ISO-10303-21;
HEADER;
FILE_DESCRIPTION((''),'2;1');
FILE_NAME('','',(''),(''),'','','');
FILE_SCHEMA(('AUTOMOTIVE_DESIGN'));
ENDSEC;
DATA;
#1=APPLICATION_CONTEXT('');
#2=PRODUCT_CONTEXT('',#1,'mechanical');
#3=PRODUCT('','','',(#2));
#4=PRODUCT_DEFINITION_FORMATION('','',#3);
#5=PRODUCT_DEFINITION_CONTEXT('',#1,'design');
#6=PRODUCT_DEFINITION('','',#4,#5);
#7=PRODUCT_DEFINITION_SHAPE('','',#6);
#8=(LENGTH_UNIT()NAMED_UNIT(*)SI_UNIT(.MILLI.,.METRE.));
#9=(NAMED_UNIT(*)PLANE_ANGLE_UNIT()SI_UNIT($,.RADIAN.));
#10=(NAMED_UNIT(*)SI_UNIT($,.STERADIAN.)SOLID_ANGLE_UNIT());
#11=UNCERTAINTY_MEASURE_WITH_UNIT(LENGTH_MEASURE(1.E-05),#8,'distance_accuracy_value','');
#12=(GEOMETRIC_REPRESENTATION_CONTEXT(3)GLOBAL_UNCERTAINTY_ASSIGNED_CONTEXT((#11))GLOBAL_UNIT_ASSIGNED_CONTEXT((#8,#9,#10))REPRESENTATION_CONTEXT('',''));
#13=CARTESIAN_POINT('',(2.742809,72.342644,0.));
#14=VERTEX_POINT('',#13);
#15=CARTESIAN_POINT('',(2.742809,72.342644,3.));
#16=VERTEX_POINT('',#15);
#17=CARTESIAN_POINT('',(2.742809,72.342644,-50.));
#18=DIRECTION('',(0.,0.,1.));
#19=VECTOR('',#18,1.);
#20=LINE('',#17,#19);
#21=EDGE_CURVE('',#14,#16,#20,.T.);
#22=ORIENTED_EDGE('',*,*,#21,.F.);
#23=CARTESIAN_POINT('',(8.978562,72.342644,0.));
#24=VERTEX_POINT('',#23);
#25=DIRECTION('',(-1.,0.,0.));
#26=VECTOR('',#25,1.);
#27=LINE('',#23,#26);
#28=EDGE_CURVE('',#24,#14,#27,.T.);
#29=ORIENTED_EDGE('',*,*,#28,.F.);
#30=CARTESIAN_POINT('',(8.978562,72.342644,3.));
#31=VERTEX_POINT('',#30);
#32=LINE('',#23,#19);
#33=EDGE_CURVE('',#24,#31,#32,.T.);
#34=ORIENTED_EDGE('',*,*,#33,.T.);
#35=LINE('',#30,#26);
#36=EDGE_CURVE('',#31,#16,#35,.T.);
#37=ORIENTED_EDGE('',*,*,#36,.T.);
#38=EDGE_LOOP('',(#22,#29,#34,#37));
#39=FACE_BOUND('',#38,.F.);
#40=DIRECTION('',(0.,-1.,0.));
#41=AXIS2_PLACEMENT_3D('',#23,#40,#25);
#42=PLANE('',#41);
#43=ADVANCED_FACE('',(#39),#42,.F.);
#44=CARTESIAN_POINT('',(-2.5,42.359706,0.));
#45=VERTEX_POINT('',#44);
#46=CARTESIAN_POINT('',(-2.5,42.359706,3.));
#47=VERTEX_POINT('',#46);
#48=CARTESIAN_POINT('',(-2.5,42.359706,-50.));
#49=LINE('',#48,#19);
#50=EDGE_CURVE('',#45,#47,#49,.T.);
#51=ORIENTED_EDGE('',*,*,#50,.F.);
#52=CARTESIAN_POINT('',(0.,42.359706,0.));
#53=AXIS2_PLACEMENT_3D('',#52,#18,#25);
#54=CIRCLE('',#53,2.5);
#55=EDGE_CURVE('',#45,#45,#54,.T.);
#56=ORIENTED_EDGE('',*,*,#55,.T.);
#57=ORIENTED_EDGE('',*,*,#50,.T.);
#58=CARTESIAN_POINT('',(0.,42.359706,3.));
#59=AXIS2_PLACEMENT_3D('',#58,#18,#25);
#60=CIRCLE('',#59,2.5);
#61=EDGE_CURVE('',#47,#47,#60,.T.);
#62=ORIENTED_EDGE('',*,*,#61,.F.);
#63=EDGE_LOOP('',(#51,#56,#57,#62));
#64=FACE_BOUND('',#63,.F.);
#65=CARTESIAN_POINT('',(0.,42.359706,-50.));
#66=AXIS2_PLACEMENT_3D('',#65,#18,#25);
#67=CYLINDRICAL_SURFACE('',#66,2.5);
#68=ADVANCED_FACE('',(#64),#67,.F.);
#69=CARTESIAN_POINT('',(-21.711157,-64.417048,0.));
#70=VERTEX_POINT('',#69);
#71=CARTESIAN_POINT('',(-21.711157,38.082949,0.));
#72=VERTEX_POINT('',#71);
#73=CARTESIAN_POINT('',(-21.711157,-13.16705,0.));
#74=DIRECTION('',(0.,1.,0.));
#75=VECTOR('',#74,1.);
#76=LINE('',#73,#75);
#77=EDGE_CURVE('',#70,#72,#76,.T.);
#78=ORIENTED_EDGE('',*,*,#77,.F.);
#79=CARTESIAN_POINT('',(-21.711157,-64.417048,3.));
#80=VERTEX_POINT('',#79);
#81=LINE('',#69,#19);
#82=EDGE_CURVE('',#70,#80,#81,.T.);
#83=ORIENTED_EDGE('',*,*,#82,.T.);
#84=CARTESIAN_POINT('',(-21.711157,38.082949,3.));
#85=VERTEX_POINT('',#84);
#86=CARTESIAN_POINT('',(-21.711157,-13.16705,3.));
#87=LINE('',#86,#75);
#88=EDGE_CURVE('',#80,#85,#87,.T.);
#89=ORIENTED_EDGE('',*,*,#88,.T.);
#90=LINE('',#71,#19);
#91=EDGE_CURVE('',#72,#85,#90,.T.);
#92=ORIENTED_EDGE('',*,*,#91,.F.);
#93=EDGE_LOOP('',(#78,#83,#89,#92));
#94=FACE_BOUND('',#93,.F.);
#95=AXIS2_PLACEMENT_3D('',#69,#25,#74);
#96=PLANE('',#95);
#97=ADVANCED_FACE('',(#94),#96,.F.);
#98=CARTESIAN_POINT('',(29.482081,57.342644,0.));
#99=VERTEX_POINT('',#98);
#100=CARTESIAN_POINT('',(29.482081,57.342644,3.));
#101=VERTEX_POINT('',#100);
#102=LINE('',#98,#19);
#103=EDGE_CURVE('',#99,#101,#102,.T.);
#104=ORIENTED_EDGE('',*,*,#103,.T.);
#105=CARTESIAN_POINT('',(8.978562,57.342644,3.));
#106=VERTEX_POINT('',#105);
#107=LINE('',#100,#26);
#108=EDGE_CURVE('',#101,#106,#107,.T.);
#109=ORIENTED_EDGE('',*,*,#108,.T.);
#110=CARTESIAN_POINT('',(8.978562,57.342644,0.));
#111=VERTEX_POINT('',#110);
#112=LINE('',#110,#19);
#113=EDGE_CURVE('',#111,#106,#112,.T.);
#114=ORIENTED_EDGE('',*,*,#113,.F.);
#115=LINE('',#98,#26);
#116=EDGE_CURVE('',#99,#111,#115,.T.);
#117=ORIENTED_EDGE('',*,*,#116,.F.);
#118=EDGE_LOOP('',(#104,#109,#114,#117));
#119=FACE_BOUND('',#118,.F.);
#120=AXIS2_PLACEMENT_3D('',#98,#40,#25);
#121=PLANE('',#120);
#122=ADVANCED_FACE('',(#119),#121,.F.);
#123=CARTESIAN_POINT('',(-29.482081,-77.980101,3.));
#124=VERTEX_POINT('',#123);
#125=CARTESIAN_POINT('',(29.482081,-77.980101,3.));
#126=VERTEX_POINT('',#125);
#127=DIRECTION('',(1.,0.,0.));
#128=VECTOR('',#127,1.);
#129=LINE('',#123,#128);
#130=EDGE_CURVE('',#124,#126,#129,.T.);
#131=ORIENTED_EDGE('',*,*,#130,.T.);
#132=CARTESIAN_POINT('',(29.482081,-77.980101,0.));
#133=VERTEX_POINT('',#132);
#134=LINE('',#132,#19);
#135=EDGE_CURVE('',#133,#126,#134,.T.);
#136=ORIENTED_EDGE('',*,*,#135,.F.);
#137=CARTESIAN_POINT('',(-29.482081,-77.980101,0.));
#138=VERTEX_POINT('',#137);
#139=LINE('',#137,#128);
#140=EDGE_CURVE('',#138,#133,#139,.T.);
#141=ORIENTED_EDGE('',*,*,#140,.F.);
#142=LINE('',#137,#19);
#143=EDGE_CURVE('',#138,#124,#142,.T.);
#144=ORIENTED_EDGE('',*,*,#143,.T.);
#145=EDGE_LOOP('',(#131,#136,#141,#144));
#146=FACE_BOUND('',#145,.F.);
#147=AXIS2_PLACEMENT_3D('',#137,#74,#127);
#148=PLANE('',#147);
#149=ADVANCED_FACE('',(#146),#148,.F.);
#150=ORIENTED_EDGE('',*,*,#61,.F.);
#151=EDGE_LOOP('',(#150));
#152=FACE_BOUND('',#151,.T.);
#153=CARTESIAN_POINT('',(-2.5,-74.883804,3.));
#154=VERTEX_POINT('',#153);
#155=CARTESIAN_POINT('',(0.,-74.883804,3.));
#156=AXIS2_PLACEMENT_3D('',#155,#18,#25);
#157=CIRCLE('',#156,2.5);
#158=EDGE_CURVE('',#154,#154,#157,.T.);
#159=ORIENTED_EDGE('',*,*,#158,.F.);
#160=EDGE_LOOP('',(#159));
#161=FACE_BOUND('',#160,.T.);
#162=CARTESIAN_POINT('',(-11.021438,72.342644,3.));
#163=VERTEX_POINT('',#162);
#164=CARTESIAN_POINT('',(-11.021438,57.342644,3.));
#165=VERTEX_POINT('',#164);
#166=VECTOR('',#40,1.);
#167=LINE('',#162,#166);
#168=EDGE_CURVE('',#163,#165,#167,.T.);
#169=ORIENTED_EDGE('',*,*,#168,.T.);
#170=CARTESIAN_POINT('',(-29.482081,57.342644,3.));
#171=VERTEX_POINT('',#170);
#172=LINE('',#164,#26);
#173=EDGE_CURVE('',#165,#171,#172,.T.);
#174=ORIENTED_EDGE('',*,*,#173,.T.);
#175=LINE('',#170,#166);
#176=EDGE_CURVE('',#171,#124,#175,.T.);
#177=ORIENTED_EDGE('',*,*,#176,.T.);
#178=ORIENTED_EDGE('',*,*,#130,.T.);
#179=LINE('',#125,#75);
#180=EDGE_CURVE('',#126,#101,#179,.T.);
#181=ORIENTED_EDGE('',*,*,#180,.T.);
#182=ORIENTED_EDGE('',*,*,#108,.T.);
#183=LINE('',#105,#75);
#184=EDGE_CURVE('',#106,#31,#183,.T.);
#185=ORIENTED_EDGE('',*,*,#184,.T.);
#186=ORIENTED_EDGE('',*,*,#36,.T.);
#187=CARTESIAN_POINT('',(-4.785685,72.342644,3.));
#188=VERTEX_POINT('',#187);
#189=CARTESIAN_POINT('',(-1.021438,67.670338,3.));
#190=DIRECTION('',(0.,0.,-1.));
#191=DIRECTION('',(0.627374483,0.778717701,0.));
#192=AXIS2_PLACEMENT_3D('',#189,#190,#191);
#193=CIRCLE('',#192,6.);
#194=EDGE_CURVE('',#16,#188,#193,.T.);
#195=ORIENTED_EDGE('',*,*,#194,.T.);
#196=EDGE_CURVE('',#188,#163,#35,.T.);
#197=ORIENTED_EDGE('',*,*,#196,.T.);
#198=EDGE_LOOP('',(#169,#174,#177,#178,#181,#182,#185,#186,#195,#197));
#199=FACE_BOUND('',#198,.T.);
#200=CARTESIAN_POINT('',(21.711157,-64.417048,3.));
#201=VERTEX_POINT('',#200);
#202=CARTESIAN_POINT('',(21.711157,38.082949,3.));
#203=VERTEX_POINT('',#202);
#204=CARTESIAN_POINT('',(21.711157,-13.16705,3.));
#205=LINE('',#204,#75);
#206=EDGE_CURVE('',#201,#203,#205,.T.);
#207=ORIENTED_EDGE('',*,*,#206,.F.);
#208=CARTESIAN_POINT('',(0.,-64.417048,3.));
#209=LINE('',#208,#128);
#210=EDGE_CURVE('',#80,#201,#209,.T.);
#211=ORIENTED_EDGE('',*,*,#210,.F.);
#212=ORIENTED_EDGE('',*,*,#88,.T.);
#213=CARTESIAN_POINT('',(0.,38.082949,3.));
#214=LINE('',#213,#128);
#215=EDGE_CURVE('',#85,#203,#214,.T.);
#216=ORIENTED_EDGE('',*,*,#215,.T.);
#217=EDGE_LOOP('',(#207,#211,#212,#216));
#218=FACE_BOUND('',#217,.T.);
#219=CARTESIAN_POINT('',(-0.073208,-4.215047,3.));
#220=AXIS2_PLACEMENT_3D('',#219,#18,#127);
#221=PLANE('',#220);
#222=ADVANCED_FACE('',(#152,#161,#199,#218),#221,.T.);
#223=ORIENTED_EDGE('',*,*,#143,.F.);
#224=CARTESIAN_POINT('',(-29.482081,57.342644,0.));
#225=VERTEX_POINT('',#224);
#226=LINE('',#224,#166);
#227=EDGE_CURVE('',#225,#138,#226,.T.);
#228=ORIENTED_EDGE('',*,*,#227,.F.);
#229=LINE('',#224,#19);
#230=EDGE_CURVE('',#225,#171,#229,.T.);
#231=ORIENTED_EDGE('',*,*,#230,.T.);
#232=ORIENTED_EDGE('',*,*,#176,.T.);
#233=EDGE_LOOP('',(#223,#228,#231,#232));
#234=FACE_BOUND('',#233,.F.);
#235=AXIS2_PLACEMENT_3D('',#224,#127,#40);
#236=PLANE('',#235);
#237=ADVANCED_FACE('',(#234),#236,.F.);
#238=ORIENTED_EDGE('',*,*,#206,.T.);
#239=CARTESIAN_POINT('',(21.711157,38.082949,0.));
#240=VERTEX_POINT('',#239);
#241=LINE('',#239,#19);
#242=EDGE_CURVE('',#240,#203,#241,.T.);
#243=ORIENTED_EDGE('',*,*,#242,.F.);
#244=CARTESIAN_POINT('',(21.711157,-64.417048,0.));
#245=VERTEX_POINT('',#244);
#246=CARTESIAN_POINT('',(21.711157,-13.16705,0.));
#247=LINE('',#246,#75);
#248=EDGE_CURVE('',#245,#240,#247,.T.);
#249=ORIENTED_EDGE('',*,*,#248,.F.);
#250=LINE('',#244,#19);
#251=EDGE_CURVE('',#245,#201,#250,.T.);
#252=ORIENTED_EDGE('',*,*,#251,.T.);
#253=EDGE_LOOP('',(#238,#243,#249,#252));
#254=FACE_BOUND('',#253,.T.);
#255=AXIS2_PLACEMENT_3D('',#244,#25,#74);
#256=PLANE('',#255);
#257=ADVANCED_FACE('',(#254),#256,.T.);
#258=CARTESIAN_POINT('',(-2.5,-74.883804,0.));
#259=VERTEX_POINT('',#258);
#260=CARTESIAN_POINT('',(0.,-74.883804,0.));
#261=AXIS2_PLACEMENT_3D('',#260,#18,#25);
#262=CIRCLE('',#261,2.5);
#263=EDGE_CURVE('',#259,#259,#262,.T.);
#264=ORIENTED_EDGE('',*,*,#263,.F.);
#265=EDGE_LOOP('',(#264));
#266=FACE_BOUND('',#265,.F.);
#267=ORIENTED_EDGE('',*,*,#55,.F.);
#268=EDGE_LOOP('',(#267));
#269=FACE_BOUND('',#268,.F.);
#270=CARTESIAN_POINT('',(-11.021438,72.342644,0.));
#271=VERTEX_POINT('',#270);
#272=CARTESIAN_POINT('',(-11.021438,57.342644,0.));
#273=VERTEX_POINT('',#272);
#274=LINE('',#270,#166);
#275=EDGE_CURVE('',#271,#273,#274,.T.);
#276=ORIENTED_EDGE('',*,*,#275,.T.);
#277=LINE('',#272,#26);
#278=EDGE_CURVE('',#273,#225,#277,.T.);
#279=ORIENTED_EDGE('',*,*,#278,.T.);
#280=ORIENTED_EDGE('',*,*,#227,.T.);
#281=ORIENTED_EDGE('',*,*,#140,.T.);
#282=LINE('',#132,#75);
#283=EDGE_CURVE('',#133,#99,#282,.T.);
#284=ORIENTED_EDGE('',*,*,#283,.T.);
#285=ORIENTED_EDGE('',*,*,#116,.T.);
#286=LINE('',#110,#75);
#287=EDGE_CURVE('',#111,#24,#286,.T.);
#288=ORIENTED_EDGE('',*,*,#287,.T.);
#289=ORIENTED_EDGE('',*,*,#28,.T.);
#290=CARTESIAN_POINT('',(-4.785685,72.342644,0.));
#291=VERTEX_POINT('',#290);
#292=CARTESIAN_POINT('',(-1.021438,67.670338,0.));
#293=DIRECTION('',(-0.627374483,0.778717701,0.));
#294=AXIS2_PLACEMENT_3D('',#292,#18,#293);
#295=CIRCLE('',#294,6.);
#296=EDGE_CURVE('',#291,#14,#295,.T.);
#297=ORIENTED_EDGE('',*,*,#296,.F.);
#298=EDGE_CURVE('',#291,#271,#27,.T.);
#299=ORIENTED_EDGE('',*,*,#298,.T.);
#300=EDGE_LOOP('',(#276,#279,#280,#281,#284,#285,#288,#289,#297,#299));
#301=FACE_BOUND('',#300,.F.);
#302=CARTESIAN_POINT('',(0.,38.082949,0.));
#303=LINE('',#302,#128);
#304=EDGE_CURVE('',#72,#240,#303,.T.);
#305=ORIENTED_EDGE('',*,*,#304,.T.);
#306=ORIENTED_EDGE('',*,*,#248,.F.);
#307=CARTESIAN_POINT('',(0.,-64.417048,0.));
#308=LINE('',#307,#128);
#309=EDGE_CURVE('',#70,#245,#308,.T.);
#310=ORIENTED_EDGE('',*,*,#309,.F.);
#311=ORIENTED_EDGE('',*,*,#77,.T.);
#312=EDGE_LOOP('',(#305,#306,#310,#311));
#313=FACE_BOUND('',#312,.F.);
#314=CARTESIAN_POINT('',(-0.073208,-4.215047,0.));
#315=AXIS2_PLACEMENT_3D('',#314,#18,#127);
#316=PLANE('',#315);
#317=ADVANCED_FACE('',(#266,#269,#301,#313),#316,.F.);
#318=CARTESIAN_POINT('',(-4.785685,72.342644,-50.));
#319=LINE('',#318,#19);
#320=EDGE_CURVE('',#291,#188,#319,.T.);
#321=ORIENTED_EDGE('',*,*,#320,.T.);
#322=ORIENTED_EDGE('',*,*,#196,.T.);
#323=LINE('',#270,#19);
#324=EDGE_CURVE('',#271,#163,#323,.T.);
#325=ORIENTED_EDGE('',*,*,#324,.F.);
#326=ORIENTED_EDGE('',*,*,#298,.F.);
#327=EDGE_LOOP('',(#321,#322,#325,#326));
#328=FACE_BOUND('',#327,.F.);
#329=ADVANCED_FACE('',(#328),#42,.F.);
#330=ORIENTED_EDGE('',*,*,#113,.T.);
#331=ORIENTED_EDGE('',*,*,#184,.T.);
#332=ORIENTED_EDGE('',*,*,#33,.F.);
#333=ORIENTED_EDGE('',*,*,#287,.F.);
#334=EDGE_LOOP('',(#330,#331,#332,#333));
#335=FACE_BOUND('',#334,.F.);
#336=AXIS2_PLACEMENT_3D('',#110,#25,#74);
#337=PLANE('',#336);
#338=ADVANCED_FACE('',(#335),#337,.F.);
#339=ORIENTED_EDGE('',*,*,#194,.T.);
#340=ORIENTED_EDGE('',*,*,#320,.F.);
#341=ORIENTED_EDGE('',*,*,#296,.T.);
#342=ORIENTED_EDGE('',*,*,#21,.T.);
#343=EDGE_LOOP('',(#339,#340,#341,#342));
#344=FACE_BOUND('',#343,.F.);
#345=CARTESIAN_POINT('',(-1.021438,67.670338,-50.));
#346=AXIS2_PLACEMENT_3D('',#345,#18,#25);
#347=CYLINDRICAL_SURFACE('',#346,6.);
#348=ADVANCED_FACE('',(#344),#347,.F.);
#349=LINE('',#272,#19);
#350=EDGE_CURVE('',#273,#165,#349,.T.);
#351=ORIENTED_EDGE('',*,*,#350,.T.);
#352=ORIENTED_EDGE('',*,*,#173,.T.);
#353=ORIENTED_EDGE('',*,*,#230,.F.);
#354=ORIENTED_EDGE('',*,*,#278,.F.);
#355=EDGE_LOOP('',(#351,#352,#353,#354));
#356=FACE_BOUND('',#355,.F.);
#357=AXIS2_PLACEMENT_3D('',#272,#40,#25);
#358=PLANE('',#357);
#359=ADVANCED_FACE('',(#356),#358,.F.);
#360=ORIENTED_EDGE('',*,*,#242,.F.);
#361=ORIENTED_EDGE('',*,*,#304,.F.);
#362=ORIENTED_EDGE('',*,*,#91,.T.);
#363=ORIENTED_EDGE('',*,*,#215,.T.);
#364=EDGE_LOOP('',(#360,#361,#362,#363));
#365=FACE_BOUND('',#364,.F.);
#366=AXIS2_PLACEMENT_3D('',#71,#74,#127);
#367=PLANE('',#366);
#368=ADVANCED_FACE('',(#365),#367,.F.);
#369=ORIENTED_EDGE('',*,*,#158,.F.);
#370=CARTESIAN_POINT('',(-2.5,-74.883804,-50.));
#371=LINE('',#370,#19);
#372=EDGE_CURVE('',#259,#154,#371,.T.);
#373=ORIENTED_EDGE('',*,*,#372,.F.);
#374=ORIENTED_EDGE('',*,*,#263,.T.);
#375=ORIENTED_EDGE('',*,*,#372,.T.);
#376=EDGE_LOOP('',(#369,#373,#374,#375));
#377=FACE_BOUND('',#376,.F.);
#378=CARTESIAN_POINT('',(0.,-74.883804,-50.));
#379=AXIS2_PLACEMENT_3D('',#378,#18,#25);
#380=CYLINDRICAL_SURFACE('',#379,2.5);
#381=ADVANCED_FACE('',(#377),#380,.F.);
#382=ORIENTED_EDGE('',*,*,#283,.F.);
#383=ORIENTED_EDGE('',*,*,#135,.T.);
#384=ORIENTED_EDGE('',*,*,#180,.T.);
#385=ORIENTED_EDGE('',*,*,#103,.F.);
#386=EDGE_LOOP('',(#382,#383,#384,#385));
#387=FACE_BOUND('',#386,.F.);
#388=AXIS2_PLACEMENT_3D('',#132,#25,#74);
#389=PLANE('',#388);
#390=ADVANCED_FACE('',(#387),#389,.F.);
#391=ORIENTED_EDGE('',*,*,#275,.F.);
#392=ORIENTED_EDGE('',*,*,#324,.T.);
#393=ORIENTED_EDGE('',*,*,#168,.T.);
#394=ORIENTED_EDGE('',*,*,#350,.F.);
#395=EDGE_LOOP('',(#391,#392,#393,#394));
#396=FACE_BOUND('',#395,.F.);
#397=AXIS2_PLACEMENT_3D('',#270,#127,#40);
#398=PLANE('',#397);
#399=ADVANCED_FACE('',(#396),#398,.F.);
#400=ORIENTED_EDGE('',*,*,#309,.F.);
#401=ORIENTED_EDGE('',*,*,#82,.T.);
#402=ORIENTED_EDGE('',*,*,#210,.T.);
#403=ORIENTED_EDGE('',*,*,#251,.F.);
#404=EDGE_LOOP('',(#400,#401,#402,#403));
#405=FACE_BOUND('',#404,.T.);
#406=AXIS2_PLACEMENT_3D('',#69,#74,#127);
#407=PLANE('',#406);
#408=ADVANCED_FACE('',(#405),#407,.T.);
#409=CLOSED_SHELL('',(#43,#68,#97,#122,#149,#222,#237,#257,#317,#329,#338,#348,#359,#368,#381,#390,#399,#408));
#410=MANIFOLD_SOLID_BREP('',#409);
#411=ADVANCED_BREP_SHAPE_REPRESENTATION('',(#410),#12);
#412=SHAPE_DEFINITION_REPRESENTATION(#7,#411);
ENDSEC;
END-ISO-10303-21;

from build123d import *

# Parameters (mm, degrees)
F0_W     = 43.4223142958
F0_H     = 102.4999973916
F1_DEPTH = 3
F2_D     = 12
F2_DEPTH = 50
F2_TIP   = 3.6051637142
F3_D     = 5
F3_DEPTH = 50
F3_TIP   = 1.5021515476


with BuildPart() as f1:
    # F0 (on Top) → F1 (new body)
    with BuildSketch(Plane.XY):
        Polygon((-29.4820813204, 57.3426440605), (-29.4820813204, -77.9801009848), (29.4820813204, -77.9801009848), (29.4820813204, 57.3426440605), (8.9785616139, 57.3426440605), (8.9785616139, 72.3426440605), (-11.0214383861, 72.3426440605), (-11.0214383861, 57.3426440605), align=None)
        with Locations((0, -13.1670495591)):
            Rectangle(F0_W, F0_H, mode=Mode.SUBTRACT)
    extrude(amount=F1_DEPTH)

    # F2
    with Locations(Plane(origin=(0, 0, 0), x_dir=(1, 0, 0), z_dir=(0, 0, -1))):
        with Locations((-1.0214383861, -67.6703378558)):
            Hole(F2_D / 2, depth=F2_DEPTH)
            with Locations((0, 0, -(F2_DEPTH + F2_TIP / 2))):  # 118° drill point
                Cone(0, F2_D / 2, F2_TIP, mode=Mode.SUBTRACT)

    # F3
    with Locations(Plane(origin=(0, 0, 0), x_dir=(1, 0, 0), z_dir=(0, 0, -1))):
        with Locations((0, -42.3597060144), (0, 74.8838037252)):
            Hole(F3_D / 2, depth=F3_DEPTH)
            with Locations((0, 0, -(F3_DEPTH + F3_TIP / 2))):  # 118° drill point
                Cone(0, F3_D / 2, F3_TIP, mode=Mode.SUBTRACT)


solid = f1.part
